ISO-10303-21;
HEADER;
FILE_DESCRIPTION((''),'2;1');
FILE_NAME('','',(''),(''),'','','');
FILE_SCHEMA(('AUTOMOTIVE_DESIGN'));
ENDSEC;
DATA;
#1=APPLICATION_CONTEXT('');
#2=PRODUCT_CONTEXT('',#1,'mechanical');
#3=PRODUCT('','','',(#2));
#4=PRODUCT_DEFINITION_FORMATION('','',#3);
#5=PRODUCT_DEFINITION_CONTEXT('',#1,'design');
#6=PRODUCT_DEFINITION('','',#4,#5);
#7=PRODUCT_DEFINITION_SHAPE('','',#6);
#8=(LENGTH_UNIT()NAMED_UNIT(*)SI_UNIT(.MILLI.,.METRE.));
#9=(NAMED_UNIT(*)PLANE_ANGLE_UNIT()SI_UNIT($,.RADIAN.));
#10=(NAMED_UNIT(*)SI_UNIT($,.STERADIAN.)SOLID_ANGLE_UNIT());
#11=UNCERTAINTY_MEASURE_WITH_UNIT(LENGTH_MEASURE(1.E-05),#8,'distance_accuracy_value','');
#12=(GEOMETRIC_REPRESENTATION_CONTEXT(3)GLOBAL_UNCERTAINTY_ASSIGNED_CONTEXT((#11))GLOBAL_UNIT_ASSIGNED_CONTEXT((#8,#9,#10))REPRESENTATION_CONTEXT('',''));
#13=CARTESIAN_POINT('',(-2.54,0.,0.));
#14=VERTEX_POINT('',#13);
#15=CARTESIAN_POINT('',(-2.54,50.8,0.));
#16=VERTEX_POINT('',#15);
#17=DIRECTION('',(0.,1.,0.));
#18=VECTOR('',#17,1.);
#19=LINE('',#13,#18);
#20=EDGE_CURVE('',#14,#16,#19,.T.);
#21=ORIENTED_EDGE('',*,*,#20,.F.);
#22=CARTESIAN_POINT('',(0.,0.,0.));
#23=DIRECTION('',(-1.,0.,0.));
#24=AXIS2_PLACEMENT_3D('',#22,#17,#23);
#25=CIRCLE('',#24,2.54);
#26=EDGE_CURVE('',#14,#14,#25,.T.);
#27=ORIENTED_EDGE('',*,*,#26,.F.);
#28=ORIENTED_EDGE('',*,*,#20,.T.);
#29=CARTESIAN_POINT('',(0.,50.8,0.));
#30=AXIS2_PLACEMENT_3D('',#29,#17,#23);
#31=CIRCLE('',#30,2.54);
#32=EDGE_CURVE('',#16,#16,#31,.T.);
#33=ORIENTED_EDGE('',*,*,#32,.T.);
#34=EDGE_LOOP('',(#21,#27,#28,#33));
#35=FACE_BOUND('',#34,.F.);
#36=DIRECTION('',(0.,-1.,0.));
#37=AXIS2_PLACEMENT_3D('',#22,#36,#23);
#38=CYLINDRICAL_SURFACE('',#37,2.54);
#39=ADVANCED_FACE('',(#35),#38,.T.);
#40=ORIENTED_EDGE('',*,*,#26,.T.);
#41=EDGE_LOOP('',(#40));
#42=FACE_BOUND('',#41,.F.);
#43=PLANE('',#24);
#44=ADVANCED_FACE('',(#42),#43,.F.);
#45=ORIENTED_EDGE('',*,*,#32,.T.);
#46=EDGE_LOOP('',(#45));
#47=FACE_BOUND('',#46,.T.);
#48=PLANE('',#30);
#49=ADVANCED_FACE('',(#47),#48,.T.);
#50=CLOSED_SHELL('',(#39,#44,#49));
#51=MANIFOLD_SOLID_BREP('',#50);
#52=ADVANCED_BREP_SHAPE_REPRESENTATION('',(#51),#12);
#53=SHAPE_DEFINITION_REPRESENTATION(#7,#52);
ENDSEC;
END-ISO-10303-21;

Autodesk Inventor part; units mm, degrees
ref_plane "YZ Plane" through (0, 0, 0) normal (1, 0, 0) x (0, 1, 0)
ref_plane "XZ Plane" through (0, 0, 0) normal (0, 1, 0) x (-1, 0, 0)
ref_plane "XY Plane" through (0, 0, 0) normal (0, 0, 1) x (1, 0, 0)
sketch "Sketch1" plane through (0, 0, 0) normal (0, 1, 0) x (-1, 0, 0)
  circle A0 centre (0, 0) radius 2.54
  dimension "d0" = 5.08
extrude "Extrusion1" add sketch "Sketch1" along normal blind 50.8
properties material "Aluminum 6061"
